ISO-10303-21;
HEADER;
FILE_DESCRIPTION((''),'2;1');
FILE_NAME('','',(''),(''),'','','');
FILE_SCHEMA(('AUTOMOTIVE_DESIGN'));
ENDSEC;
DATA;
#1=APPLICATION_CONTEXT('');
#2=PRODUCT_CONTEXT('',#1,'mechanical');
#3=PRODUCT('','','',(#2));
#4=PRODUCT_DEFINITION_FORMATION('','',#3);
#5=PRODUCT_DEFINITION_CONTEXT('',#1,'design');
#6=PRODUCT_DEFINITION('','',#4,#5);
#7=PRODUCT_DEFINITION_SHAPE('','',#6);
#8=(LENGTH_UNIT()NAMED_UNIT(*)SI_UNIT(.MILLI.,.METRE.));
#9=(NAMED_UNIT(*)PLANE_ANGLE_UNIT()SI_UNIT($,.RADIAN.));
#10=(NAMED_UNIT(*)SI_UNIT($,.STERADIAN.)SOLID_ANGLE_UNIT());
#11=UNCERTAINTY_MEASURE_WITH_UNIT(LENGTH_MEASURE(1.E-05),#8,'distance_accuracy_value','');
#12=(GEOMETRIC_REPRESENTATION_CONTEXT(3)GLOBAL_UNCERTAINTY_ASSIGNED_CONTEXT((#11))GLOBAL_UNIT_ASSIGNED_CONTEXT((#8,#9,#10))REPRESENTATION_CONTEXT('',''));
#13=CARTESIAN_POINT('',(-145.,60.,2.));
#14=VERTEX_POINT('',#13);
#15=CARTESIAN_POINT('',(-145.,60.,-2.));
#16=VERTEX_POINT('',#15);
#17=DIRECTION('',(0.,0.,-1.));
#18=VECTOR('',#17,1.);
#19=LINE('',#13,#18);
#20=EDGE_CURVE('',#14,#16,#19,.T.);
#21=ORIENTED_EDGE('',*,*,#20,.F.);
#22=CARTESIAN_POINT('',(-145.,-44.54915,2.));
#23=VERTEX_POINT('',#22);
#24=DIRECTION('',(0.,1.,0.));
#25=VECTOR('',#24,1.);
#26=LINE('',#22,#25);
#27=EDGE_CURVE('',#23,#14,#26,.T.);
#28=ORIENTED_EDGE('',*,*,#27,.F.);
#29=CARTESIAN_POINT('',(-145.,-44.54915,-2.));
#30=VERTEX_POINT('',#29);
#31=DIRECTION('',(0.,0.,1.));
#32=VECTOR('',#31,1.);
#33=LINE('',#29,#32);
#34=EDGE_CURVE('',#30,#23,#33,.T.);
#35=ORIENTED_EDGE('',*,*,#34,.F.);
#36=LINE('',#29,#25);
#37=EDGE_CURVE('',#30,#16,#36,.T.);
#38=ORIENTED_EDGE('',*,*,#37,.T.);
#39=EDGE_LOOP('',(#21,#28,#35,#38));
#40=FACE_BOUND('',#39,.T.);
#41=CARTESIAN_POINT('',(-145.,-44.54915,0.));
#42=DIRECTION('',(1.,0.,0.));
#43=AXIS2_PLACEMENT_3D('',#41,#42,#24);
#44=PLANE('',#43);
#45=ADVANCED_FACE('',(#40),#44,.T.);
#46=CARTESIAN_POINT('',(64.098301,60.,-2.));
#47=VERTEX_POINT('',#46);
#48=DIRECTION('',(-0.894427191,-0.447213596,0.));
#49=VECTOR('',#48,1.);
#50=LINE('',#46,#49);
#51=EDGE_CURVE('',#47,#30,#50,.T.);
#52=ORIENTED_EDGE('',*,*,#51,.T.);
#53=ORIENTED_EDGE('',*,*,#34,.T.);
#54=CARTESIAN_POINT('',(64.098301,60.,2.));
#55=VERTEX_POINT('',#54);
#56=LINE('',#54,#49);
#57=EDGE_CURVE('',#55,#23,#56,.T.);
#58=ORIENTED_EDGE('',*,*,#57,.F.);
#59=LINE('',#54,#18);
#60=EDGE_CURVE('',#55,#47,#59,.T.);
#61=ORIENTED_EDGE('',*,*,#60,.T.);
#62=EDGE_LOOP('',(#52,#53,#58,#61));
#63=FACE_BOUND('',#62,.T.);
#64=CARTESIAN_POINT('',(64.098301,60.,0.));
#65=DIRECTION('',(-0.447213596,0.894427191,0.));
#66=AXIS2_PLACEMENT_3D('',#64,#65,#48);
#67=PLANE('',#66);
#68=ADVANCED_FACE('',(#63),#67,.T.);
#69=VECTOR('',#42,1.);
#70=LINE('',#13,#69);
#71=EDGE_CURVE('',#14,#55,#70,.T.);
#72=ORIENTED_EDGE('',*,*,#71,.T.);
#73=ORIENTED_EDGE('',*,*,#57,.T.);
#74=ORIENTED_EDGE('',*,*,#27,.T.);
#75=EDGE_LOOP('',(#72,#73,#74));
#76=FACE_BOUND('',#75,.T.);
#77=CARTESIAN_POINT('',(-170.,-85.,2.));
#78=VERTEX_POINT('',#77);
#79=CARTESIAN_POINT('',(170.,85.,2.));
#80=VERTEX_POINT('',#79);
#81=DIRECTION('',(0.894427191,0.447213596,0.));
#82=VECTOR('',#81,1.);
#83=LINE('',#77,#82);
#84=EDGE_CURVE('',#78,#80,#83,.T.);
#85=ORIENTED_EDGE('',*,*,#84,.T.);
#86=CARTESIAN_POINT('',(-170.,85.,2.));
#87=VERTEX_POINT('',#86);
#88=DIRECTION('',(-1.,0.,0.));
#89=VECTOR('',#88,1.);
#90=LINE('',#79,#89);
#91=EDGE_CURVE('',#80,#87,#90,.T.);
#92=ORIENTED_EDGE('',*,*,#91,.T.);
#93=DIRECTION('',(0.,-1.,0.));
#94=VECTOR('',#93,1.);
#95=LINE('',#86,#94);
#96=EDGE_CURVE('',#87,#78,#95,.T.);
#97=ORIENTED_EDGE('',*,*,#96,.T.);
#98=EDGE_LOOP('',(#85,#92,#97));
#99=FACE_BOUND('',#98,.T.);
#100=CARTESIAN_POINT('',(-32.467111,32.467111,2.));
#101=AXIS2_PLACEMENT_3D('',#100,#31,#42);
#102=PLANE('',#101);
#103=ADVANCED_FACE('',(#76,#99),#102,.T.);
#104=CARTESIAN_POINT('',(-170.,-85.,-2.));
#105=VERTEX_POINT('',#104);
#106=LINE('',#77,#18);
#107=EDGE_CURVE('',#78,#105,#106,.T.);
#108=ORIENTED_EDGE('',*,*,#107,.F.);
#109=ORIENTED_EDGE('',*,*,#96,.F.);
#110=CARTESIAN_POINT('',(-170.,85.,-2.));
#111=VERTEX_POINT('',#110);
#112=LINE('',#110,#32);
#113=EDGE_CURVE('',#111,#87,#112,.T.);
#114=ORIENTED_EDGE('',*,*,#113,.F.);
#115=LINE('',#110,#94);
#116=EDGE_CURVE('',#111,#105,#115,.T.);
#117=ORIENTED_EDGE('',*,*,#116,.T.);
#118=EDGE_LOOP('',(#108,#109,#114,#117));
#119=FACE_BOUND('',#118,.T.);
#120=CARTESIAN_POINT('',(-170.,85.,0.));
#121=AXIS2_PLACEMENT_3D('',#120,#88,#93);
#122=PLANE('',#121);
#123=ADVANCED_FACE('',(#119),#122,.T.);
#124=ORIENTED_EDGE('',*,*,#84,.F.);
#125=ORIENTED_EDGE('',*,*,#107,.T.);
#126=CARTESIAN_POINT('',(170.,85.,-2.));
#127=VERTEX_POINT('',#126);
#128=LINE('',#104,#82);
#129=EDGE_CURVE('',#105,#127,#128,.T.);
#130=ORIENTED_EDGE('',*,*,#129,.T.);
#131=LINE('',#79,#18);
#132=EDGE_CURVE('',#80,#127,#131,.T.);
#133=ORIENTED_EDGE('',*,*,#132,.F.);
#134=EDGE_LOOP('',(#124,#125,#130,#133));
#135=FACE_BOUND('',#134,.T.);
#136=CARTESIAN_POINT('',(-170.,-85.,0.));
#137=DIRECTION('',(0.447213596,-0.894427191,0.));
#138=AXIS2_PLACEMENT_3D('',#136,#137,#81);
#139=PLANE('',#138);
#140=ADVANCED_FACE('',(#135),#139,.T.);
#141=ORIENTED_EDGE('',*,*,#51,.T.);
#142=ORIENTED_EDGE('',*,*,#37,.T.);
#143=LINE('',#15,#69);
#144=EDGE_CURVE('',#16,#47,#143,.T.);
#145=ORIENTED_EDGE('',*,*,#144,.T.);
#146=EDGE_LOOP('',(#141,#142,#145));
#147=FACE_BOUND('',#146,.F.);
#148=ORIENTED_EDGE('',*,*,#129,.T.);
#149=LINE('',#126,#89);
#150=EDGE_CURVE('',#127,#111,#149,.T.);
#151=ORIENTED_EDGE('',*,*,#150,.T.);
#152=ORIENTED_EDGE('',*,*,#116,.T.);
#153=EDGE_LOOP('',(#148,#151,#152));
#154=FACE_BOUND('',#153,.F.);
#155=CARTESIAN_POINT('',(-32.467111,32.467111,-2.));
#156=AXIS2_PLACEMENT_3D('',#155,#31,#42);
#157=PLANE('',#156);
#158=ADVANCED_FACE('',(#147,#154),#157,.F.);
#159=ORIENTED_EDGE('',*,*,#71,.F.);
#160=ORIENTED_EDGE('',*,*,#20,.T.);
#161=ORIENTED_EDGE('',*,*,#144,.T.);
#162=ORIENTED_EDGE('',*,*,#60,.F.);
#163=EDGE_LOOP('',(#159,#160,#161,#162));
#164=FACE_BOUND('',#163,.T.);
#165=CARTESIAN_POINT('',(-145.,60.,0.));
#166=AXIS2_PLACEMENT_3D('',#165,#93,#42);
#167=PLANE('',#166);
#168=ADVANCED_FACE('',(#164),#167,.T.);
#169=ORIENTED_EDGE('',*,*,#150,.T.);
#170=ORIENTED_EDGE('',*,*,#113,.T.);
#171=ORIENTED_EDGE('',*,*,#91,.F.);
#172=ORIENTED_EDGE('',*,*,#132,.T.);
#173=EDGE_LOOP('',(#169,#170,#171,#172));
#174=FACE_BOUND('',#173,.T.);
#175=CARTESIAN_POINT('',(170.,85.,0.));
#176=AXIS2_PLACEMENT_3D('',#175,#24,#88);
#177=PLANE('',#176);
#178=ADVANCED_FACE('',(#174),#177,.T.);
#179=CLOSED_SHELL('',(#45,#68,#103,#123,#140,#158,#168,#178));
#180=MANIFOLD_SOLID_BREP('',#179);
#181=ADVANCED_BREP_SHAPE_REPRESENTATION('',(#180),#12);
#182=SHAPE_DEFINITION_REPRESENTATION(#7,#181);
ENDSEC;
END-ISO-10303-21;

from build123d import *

# Parameters (mm, degrees)
F1_DEPTH = 2


with BuildPart() as f1:
    # F0 (on Top) → F1 (new body, symmetric)
    with BuildSketch(Plane.XY):
        Polygon((170, 85), (-170, 85), (-170, -85), align=None)
        Polygon((-145, -44.5491502813), (-145, 60), (64.0983005625, 60), align=None, mode=Mode.SUBTRACT)
    extrude(amount=F1_DEPTH, both=True)


solid = f1.part
